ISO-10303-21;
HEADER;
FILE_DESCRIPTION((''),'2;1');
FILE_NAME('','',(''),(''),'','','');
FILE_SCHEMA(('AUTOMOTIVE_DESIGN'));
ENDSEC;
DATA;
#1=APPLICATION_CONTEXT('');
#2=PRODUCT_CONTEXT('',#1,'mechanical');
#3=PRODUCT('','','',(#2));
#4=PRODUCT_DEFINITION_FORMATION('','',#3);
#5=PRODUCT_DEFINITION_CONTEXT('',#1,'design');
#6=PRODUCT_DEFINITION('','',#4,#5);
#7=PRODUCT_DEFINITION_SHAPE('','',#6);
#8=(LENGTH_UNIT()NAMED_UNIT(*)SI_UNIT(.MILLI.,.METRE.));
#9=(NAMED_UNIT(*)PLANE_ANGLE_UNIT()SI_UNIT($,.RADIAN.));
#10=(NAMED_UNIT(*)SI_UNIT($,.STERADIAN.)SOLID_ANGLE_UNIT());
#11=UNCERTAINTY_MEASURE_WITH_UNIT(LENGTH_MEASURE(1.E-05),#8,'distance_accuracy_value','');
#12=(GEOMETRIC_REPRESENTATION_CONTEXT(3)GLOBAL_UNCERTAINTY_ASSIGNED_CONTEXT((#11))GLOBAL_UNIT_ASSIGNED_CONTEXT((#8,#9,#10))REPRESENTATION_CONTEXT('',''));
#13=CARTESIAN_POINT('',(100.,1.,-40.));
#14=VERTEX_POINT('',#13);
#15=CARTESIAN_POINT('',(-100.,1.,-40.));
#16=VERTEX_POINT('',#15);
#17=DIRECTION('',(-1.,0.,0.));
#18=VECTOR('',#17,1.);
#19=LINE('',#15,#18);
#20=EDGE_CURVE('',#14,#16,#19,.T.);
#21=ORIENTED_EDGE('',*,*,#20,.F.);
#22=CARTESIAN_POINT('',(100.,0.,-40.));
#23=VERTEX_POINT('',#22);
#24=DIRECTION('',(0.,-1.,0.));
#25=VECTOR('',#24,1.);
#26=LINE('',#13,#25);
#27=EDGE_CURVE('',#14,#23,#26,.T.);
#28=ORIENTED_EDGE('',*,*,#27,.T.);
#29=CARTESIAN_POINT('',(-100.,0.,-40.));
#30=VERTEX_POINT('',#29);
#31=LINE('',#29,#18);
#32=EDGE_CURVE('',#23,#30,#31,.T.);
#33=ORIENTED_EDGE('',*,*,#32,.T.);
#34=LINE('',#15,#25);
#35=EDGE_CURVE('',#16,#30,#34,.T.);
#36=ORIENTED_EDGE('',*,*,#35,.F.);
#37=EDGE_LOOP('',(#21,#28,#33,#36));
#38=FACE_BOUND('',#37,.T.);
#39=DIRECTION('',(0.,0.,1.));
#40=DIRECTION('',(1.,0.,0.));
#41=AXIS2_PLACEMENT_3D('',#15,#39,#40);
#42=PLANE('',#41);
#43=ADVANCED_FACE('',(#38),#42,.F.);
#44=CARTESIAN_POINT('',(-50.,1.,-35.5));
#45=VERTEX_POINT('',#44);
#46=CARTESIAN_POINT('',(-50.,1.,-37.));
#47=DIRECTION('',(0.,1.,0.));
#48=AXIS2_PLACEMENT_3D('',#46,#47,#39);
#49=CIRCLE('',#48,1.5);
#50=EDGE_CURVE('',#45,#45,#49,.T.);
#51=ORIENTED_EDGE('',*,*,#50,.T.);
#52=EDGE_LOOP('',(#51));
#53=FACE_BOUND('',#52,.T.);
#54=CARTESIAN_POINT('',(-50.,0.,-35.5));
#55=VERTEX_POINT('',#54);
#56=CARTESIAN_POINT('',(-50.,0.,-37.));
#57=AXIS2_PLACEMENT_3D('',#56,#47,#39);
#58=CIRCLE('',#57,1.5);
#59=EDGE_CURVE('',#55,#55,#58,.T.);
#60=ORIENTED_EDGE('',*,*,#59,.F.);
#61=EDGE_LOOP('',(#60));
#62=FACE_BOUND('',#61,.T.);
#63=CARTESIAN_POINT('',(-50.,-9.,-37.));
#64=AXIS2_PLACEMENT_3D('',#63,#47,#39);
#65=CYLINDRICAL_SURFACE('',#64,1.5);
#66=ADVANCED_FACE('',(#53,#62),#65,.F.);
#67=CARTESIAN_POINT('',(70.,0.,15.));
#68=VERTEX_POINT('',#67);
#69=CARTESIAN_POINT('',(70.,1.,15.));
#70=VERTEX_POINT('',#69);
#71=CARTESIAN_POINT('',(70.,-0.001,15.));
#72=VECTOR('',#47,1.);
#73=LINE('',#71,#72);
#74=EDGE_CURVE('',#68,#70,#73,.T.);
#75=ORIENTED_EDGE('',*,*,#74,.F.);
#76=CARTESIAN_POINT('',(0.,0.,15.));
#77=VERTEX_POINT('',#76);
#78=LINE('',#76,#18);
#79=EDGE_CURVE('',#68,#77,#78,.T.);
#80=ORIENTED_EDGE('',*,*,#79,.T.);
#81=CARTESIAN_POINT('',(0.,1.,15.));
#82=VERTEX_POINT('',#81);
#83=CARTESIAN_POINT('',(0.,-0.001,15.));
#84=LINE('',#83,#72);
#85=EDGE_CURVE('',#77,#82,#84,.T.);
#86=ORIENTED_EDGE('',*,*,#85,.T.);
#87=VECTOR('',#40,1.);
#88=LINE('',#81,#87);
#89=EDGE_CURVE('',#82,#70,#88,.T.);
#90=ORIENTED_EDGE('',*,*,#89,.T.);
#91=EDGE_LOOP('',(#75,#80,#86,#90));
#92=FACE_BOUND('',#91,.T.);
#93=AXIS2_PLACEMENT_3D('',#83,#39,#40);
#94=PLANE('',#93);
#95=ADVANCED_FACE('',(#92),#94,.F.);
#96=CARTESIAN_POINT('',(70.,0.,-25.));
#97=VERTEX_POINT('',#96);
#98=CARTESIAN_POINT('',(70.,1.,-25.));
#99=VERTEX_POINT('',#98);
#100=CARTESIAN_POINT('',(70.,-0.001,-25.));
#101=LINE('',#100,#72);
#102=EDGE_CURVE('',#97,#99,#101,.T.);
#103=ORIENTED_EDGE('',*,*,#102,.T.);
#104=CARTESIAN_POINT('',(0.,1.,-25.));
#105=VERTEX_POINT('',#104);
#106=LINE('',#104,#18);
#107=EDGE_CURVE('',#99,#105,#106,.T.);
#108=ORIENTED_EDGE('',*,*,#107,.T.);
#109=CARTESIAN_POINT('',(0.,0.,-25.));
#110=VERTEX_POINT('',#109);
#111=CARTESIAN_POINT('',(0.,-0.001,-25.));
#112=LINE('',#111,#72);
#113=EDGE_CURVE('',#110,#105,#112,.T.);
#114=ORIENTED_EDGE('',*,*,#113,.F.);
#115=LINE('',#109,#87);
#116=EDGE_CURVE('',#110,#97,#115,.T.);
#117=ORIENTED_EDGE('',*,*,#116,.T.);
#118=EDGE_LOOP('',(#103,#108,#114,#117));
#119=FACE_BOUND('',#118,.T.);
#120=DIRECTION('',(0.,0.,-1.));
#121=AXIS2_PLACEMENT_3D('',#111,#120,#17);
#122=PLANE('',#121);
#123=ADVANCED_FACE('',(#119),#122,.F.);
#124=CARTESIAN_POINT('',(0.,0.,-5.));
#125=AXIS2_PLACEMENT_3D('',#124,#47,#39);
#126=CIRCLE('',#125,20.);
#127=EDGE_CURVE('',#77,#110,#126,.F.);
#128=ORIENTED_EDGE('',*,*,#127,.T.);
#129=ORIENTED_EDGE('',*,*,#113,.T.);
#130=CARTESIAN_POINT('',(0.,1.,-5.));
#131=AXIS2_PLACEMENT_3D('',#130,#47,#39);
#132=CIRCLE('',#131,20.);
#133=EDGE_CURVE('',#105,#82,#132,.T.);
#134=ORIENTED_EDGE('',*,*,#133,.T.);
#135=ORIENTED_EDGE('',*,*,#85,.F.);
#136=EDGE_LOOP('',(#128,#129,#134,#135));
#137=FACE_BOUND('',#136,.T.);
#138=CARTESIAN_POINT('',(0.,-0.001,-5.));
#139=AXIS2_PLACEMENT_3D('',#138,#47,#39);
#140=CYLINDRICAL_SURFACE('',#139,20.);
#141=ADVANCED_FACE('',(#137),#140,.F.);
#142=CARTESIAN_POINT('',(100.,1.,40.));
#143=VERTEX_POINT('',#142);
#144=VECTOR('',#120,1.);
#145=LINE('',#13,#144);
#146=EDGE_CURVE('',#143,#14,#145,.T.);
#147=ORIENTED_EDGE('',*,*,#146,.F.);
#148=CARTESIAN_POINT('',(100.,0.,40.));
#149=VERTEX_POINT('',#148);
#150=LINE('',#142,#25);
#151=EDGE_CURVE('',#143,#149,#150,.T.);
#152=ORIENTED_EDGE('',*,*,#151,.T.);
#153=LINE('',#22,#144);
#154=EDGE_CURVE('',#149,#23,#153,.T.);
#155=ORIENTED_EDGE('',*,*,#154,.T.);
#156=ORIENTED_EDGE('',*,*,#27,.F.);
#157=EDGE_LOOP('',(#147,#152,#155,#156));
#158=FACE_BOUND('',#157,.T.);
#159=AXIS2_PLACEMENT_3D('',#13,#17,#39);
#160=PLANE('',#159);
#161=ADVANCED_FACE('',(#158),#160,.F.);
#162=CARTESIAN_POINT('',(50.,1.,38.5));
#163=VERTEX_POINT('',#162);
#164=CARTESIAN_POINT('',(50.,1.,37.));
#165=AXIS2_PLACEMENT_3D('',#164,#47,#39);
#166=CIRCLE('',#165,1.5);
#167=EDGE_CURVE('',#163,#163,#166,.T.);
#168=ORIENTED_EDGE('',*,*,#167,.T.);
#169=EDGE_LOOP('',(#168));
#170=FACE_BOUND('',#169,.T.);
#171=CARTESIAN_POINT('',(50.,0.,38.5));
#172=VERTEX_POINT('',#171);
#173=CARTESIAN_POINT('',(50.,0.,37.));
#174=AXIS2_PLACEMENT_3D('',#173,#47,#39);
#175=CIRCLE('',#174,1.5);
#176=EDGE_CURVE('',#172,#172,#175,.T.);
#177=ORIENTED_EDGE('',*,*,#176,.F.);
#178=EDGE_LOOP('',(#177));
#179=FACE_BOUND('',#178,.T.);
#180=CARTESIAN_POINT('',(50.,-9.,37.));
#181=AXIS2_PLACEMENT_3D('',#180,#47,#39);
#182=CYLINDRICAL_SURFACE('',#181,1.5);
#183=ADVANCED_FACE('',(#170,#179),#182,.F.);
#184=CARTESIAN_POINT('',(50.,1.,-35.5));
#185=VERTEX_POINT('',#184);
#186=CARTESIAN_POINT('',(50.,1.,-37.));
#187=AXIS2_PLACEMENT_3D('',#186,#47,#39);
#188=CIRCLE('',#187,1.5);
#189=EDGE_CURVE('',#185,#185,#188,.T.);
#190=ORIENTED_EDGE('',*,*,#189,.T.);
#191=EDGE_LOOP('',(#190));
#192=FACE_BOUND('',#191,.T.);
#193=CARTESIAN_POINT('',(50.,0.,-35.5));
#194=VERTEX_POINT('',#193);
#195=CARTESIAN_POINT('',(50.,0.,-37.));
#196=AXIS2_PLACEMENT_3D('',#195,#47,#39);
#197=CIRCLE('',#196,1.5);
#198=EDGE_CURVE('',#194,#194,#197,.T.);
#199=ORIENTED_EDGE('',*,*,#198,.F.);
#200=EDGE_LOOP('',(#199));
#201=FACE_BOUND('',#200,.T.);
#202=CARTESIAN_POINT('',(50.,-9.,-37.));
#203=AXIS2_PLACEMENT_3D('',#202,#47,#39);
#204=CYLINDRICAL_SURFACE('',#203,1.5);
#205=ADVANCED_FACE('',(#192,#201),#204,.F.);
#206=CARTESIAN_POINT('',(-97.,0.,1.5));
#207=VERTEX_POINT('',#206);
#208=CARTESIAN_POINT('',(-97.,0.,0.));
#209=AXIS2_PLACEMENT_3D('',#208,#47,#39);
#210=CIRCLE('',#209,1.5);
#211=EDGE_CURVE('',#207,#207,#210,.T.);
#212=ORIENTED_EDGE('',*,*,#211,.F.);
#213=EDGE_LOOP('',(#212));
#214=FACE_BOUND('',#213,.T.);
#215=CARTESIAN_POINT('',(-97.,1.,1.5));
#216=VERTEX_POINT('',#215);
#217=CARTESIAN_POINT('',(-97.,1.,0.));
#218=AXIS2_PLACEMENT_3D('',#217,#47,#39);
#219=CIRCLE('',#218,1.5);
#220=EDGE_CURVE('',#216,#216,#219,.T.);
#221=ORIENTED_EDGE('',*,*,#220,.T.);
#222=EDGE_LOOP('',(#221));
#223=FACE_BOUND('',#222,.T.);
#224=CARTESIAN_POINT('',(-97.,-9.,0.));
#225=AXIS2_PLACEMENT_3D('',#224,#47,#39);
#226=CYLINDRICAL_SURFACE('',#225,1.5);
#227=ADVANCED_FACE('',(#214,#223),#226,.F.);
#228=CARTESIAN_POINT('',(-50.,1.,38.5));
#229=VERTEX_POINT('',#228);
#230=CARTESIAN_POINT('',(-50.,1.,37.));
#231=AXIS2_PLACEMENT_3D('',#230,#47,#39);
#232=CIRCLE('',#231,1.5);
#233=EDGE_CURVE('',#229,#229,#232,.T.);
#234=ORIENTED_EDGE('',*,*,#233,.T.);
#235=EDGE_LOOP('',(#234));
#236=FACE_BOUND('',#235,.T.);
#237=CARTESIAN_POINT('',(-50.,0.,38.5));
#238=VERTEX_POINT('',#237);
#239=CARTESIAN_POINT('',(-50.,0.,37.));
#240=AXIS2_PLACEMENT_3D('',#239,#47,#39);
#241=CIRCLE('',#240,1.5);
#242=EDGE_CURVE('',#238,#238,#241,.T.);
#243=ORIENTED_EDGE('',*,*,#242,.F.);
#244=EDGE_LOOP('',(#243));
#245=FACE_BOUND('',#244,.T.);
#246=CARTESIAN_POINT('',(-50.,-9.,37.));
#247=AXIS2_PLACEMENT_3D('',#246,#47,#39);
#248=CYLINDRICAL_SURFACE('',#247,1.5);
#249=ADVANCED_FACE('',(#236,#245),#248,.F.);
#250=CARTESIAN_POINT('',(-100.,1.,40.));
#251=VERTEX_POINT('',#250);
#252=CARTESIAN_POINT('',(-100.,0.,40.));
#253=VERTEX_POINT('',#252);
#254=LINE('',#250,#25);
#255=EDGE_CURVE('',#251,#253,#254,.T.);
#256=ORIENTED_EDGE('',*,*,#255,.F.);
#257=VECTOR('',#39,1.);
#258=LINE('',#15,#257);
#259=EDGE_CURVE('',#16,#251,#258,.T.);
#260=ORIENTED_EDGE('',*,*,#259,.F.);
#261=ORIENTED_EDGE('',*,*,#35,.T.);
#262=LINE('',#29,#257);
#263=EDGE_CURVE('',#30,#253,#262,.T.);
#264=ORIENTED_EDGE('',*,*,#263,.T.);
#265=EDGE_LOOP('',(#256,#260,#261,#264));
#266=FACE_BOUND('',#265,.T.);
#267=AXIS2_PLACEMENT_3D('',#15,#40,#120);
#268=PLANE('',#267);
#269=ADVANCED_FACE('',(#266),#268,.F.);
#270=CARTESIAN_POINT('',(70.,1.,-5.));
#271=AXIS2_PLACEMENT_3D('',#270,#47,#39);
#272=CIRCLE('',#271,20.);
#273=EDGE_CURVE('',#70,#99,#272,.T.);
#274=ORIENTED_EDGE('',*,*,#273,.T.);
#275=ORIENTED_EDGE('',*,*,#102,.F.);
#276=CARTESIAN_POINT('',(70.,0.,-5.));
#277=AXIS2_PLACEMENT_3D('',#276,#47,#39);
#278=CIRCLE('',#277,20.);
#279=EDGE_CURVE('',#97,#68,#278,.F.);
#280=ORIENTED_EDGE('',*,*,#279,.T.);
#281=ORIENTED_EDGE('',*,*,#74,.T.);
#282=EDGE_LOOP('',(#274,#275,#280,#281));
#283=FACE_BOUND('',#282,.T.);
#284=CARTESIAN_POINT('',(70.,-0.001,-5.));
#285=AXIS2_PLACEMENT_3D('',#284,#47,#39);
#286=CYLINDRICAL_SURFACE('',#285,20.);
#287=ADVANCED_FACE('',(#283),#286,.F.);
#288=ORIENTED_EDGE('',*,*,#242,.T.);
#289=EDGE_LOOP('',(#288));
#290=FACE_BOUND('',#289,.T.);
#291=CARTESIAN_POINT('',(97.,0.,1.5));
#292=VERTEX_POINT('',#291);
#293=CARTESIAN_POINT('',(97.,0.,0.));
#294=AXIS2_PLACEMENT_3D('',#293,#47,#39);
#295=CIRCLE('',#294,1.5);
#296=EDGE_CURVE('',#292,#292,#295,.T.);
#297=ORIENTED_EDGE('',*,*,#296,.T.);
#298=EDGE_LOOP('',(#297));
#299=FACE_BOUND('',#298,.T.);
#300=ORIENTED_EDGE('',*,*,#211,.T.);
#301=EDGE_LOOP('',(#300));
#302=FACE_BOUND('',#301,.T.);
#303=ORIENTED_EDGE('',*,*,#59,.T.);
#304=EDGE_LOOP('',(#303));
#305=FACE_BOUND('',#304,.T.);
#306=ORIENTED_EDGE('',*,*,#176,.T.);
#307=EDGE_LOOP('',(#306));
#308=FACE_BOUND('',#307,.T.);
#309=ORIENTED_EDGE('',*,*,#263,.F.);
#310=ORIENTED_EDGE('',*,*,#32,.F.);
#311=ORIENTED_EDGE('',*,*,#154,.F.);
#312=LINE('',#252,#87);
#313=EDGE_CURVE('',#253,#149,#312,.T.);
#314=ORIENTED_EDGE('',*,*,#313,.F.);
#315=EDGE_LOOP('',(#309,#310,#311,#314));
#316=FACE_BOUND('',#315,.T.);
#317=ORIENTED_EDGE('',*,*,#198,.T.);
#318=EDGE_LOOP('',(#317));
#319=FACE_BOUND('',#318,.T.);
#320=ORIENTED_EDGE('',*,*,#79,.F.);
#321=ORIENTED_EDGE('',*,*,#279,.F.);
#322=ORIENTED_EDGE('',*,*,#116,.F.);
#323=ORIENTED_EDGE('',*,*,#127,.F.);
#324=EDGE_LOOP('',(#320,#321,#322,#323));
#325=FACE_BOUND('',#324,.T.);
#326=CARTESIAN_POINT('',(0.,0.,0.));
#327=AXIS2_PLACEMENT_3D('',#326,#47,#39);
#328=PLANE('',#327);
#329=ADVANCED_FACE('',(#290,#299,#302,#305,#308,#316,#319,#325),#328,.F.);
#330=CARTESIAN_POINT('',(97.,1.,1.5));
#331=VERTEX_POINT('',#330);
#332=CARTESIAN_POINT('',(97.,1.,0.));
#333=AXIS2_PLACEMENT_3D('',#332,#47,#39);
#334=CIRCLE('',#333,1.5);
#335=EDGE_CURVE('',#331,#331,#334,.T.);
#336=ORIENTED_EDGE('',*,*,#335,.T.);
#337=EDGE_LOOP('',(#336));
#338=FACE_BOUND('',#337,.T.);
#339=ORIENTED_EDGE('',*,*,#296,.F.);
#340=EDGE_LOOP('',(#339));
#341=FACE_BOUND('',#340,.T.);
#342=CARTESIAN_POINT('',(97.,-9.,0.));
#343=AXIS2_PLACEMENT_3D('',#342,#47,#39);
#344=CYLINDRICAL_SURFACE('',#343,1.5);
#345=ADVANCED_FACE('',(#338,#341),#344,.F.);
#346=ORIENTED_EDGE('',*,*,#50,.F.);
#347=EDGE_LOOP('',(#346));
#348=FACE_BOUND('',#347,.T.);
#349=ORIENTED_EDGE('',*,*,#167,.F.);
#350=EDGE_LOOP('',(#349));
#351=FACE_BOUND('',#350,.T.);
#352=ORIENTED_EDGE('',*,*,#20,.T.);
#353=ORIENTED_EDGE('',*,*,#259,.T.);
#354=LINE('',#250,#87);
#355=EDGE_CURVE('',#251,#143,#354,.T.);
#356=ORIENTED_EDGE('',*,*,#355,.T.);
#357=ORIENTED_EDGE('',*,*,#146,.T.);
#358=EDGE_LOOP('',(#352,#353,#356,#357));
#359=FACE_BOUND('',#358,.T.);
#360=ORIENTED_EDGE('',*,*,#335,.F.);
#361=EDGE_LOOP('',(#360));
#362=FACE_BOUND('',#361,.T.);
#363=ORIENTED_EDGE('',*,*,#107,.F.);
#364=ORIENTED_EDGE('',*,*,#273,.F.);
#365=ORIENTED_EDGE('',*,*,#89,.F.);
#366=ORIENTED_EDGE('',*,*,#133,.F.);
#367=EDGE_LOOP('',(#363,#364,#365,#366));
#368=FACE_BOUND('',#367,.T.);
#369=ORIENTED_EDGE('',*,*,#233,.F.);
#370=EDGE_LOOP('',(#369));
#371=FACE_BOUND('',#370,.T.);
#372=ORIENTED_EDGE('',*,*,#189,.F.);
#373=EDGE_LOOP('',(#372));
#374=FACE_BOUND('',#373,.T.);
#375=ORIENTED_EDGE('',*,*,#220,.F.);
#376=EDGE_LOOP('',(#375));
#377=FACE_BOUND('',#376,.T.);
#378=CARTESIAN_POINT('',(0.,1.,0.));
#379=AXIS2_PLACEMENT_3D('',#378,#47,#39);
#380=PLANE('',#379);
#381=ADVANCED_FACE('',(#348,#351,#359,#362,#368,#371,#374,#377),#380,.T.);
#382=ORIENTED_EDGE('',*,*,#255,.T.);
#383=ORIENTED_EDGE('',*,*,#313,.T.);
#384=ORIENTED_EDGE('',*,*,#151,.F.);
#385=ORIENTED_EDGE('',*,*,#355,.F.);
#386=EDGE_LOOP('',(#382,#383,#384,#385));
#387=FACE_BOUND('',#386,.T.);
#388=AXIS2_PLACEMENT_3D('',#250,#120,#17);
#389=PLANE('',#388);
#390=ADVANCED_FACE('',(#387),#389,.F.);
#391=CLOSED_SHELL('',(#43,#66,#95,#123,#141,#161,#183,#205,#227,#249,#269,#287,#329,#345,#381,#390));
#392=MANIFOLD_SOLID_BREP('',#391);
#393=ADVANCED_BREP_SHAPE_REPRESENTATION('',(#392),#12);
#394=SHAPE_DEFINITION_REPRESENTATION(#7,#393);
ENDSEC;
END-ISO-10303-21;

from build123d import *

# Parameters (mm, degrees)
SKETCH_1_W          = 200
SKETCH_1_H          = 80
EXTRUDE_1_DEPTH     = 1
CUT_EXTRUDE_1_REACH = 3
SKETCH_3_R          = 1.5
CUT_EXTRUDE_2_DEPTH = 10


with BuildPart() as part:
    # 草图1 → 凸台-拉伸1 (new body)
    with BuildSketch(Plane(origin=(0, 0, 0), x_dir=(1, 0, 0), z_dir=(0, 1, 0))):
        Rectangle(SKETCH_1_W, SKETCH_1_H)
    extrude(amount=EXTRUDE_1_DEPTH)

    # 草图2 → 切除-拉伸1 (cut, up to next)
    with BuildSketch(Plane(origin=(0, 1, 0), x_dir=(1, 0, 0), z_dir=(0, 1, 0)), mode=Mode.PRIVATE) as cut_extrude_1_sk1:
        with BuildLine():
            Line((0, 25), (70, 25))
            ThreePointArc((70, 25), (90, 5), (70, -15))
            Line((70, -15), (0, -15))
            ThreePointArc((0, -15), (-20, 5), (0, 25))
        make_face()
    cut_extrude_1_tool1 = extrude(cut_extrude_1_sk1.sketch, amount=-CUT_EXTRUDE_1_REACH, mode=Mode.PRIVATE) & part.part
    add(cut_extrude_1_tool1.solids().sort_by_distance((35, 1, -5))[0], mode=Mode.SUBTRACT)

    # 草图3 → 切除-拉伸2 (cut)
    with BuildSketch(Plane(origin=(0, 1, 0), x_dir=(1, 0, 0), z_dir=(0, 1, 0))):
        with Locations((-50, 37)):
            Circle(SKETCH_3_R)
        with Locations((50, 37)):
            Circle(SKETCH_3_R)
        with Locations((50, -37)):
            Circle(SKETCH_3_R)
        with Locations((-50, -37)):
            Circle(SKETCH_3_R)
        with Locations((-97, 0)):
            Circle(SKETCH_3_R)
        with Locations((97, 0)):
            Circle(SKETCH_3_R)
    extrude(amount=-CUT_EXTRUDE_2_DEPTH, mode=Mode.SUBTRACT)


solid = part.part
